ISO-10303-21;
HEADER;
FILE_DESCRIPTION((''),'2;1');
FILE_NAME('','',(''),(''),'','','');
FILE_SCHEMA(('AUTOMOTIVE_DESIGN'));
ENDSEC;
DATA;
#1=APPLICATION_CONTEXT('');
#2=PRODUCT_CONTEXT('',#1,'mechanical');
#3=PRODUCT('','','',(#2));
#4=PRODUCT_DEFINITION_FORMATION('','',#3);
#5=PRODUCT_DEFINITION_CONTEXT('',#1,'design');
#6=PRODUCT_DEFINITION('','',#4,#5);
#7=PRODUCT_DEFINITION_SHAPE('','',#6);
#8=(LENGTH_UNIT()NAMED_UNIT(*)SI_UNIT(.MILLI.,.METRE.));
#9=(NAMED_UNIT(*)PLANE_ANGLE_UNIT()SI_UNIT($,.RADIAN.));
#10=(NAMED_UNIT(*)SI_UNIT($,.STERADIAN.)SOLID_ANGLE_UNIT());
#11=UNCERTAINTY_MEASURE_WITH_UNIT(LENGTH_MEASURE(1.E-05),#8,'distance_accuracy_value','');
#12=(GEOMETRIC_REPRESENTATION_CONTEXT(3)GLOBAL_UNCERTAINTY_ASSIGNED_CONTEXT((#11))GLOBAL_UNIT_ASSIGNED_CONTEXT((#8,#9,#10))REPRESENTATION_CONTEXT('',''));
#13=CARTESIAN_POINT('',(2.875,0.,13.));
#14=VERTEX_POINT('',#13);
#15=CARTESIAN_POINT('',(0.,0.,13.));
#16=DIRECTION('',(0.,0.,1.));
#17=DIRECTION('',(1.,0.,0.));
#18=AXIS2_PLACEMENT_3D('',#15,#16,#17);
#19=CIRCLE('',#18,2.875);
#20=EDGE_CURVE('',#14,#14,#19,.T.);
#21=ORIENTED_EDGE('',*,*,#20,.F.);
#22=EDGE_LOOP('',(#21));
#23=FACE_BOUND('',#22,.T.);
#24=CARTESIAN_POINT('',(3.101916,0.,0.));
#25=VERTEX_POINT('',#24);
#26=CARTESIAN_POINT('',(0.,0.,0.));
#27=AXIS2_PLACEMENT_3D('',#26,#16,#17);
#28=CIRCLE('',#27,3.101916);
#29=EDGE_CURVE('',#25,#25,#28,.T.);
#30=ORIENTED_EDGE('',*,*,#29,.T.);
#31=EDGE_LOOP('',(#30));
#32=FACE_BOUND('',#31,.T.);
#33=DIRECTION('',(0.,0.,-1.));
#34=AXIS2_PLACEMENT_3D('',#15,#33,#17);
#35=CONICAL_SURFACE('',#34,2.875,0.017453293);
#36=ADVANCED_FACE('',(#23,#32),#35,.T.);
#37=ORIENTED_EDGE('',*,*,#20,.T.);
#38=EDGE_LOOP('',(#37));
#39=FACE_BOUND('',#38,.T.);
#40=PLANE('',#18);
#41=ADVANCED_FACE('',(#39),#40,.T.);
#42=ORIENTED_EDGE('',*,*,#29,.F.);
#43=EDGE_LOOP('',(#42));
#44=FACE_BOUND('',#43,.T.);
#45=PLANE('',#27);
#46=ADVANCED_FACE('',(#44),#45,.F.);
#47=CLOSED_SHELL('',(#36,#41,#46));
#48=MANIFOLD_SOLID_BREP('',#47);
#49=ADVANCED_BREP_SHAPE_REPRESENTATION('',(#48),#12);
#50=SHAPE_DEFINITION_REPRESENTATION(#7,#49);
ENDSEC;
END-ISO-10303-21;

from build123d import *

# Parameters (mm, degrees)
SKETCH1_R           = 2.875
BOSS_EXTRUDE1_DEPTH = 13
DRAFT1_ANGLE        = 1


with BuildPart() as part:
    # Sketch1 → Boss-Extrude1 (new body)
    with BuildSketch(Plane.XY):
        with Locations(Location((0, 0, 0), (0, 0, 180))):
            Circle(SKETCH1_R)
    extrude(amount=BOSS_EXTRUDE1_DEPTH)

    # Draft1
    draft1_faces = [part.faces().sort_by_distance(p)[0] for p in [
        (2.875, 0, 6.5),
    ]]
    draft(draft1_faces, Plane.XY.offset(13), DRAFT1_ANGLE)


solid = part.part
